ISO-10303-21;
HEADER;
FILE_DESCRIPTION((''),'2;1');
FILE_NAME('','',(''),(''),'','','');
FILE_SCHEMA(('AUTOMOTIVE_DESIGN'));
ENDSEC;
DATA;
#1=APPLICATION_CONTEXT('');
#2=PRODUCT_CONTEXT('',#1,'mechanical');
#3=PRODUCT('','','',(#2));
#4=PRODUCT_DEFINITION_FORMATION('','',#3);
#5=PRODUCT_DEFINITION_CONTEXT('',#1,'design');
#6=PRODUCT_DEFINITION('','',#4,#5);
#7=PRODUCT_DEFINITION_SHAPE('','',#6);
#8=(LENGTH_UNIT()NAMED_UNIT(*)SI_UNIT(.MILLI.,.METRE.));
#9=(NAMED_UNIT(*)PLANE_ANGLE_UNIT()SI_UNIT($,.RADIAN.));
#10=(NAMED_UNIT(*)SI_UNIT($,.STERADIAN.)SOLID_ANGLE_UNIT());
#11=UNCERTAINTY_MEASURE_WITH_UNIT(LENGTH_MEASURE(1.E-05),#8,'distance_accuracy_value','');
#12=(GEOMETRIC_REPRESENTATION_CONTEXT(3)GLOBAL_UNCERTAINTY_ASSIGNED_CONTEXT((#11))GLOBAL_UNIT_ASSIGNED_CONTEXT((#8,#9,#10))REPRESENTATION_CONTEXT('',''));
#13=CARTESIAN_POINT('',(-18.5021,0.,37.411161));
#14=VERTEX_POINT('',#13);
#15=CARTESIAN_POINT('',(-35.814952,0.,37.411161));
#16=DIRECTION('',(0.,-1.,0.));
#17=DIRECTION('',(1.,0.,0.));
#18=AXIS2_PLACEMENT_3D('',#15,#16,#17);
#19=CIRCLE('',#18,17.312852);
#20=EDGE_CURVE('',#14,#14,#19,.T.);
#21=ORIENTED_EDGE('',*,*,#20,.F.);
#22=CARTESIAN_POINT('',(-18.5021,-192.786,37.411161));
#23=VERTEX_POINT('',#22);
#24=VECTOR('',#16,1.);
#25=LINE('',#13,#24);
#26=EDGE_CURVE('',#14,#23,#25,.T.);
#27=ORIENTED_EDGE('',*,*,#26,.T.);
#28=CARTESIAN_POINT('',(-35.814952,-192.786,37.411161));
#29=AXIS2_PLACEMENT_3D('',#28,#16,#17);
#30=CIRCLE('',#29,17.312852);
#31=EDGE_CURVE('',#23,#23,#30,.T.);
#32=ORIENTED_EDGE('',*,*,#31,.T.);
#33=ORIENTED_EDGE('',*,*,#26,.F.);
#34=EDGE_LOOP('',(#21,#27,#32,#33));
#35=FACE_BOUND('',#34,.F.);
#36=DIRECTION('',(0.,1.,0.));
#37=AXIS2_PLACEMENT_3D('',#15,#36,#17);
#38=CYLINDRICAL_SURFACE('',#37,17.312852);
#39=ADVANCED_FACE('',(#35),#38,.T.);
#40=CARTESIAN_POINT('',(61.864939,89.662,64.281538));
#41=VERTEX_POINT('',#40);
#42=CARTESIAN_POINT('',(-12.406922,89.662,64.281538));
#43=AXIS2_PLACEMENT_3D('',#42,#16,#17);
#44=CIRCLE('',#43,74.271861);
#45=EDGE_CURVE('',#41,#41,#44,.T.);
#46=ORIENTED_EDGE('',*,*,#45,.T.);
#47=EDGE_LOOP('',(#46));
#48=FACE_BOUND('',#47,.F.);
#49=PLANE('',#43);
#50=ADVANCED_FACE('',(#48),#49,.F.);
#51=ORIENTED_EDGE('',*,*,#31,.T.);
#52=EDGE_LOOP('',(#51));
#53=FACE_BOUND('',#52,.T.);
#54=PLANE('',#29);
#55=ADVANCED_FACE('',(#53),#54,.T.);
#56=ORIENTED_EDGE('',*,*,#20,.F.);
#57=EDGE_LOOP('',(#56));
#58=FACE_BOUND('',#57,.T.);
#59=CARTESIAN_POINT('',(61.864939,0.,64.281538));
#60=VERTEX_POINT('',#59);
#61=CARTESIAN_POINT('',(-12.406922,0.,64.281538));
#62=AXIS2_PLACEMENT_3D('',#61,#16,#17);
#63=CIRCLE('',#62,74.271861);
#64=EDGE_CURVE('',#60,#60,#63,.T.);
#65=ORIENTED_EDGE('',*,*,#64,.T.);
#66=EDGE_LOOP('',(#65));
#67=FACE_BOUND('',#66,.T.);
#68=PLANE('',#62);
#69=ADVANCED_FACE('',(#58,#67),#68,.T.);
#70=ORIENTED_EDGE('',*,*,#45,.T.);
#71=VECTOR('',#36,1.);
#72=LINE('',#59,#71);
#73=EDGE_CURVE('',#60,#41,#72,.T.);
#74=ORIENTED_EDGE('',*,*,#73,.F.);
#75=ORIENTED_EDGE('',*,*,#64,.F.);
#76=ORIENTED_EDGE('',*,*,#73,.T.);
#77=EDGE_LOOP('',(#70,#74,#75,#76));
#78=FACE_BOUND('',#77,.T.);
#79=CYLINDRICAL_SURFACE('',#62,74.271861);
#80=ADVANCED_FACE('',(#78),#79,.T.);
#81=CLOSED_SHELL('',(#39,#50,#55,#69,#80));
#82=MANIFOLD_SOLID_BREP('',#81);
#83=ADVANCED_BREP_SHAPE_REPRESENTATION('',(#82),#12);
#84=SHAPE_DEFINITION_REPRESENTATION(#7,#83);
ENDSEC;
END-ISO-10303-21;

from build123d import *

# Parameters (mm, degrees)
F0_R     = 17.312852
F1_DEPTH = 192.786
F2_R     = 74.271861
F3_DEPTH = 89.662


with BuildPart() as f1:
    # F0 (on Front) → F1 (new body)
    with BuildSketch(Plane.XZ):
        with Locations((-35.814952, 37.411161)):
            Circle(F0_R)
    extrude(amount=F1_DEPTH)

    # F2 (on Front) → F3 (join)
    with BuildSketch(Plane.XZ):
        with Locations((-12.406922, 64.281538)):
            Circle(F2_R)
    extrude(amount=-F3_DEPTH)


solid = f1.part
